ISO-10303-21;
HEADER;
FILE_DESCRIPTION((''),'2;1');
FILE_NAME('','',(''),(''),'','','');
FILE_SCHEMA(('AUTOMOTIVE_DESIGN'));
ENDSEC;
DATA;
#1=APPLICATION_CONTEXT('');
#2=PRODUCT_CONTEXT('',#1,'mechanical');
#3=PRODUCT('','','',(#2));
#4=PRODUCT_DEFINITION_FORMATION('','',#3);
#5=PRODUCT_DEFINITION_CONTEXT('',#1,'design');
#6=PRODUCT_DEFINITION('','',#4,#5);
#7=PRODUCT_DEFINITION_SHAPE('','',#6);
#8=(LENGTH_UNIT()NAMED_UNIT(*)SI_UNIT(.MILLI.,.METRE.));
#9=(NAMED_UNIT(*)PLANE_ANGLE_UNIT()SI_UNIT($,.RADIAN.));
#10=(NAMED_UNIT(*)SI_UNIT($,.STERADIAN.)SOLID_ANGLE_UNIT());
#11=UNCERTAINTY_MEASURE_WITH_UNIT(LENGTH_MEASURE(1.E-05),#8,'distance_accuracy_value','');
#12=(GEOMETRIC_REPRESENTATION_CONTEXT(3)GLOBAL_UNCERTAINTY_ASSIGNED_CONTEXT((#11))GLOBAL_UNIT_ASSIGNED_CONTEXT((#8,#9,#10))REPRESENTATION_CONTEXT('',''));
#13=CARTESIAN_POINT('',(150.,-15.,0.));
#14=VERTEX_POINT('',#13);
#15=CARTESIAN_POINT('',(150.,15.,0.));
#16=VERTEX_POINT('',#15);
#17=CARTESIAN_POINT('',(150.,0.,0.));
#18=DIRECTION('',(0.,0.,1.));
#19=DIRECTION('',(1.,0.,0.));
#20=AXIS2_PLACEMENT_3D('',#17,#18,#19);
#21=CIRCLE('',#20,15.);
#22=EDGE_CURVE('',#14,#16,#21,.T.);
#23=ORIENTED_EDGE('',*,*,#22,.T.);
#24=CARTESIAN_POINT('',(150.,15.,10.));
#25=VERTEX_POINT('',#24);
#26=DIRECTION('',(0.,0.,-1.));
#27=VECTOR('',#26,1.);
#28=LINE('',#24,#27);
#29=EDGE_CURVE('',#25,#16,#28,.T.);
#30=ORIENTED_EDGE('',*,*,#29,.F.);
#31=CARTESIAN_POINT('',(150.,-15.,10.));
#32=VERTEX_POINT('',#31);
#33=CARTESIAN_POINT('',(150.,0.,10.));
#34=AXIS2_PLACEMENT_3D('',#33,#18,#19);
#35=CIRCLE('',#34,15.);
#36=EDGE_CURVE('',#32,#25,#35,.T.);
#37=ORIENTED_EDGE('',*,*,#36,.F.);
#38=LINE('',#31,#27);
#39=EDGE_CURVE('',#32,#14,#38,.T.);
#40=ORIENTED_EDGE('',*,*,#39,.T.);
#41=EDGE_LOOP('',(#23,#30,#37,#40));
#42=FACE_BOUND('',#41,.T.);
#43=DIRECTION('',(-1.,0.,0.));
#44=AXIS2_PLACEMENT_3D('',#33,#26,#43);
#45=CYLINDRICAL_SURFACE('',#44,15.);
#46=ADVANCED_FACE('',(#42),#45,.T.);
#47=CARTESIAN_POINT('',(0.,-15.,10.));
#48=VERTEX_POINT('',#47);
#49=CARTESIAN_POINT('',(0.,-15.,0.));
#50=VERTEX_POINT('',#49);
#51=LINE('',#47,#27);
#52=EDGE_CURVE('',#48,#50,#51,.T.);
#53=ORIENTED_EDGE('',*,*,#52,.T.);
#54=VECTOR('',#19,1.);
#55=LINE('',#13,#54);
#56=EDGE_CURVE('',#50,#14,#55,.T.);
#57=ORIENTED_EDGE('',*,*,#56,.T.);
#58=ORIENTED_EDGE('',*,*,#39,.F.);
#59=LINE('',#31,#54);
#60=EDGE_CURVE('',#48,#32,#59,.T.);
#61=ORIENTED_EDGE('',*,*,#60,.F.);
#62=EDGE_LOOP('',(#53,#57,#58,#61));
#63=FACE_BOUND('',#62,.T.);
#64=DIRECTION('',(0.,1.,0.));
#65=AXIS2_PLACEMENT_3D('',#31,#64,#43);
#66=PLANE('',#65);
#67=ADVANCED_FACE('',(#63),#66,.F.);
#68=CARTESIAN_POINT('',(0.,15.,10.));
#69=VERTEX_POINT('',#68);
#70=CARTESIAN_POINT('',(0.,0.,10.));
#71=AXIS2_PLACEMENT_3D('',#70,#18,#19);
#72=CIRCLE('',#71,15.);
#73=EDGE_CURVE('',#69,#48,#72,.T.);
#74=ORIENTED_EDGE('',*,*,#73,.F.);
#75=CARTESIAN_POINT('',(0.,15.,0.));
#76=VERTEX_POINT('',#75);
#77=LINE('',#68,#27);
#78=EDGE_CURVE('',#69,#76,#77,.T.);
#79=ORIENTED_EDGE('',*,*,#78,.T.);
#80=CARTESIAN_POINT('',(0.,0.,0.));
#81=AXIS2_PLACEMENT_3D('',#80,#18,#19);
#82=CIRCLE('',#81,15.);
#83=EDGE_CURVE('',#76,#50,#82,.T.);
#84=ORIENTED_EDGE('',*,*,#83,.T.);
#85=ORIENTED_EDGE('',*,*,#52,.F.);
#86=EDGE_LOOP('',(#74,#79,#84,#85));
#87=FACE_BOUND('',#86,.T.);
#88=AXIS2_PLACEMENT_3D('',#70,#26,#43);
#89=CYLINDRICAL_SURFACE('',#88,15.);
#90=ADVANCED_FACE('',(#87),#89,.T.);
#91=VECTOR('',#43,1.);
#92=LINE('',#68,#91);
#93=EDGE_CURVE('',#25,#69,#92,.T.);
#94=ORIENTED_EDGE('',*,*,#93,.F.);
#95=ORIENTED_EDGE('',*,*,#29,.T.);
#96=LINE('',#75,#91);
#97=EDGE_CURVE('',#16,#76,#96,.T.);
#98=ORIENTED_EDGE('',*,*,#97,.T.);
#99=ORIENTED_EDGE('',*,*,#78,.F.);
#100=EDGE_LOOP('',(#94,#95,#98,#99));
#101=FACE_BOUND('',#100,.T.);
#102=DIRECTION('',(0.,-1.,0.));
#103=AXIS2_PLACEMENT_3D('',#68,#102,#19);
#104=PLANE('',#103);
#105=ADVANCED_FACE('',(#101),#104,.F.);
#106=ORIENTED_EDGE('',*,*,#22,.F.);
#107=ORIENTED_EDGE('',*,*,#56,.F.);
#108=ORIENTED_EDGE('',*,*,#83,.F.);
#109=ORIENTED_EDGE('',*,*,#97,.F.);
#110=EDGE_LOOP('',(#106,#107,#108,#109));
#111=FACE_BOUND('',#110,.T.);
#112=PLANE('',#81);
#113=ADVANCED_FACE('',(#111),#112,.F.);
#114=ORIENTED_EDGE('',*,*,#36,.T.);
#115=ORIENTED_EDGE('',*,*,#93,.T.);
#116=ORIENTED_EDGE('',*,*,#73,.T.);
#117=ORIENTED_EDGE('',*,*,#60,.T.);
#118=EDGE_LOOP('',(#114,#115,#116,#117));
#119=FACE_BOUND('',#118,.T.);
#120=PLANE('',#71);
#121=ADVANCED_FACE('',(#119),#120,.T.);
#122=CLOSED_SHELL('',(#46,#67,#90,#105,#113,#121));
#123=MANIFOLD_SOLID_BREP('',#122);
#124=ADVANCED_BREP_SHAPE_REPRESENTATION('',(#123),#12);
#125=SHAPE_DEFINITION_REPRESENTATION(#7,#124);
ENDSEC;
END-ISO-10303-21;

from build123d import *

# Parameters (mm, degrees)
BOSS_EXTRUDE1_DEPTH = 10


with BuildPart() as part:
    # Sketch1 → Boss-Extrude1 (new body)
    with BuildSketch(Plane.XY):
        with BuildLine():
            Line((0, 15), (150, 15))
            ThreePointArc((150, 15), (165, 0), (150, -15))
            Line((150, -15), (0, -15))
            ThreePointArc((0, -15), (-15, 0), (0, 15))
        make_face()
    extrude(amount=BOSS_EXTRUDE1_DEPTH)


solid = part.part
